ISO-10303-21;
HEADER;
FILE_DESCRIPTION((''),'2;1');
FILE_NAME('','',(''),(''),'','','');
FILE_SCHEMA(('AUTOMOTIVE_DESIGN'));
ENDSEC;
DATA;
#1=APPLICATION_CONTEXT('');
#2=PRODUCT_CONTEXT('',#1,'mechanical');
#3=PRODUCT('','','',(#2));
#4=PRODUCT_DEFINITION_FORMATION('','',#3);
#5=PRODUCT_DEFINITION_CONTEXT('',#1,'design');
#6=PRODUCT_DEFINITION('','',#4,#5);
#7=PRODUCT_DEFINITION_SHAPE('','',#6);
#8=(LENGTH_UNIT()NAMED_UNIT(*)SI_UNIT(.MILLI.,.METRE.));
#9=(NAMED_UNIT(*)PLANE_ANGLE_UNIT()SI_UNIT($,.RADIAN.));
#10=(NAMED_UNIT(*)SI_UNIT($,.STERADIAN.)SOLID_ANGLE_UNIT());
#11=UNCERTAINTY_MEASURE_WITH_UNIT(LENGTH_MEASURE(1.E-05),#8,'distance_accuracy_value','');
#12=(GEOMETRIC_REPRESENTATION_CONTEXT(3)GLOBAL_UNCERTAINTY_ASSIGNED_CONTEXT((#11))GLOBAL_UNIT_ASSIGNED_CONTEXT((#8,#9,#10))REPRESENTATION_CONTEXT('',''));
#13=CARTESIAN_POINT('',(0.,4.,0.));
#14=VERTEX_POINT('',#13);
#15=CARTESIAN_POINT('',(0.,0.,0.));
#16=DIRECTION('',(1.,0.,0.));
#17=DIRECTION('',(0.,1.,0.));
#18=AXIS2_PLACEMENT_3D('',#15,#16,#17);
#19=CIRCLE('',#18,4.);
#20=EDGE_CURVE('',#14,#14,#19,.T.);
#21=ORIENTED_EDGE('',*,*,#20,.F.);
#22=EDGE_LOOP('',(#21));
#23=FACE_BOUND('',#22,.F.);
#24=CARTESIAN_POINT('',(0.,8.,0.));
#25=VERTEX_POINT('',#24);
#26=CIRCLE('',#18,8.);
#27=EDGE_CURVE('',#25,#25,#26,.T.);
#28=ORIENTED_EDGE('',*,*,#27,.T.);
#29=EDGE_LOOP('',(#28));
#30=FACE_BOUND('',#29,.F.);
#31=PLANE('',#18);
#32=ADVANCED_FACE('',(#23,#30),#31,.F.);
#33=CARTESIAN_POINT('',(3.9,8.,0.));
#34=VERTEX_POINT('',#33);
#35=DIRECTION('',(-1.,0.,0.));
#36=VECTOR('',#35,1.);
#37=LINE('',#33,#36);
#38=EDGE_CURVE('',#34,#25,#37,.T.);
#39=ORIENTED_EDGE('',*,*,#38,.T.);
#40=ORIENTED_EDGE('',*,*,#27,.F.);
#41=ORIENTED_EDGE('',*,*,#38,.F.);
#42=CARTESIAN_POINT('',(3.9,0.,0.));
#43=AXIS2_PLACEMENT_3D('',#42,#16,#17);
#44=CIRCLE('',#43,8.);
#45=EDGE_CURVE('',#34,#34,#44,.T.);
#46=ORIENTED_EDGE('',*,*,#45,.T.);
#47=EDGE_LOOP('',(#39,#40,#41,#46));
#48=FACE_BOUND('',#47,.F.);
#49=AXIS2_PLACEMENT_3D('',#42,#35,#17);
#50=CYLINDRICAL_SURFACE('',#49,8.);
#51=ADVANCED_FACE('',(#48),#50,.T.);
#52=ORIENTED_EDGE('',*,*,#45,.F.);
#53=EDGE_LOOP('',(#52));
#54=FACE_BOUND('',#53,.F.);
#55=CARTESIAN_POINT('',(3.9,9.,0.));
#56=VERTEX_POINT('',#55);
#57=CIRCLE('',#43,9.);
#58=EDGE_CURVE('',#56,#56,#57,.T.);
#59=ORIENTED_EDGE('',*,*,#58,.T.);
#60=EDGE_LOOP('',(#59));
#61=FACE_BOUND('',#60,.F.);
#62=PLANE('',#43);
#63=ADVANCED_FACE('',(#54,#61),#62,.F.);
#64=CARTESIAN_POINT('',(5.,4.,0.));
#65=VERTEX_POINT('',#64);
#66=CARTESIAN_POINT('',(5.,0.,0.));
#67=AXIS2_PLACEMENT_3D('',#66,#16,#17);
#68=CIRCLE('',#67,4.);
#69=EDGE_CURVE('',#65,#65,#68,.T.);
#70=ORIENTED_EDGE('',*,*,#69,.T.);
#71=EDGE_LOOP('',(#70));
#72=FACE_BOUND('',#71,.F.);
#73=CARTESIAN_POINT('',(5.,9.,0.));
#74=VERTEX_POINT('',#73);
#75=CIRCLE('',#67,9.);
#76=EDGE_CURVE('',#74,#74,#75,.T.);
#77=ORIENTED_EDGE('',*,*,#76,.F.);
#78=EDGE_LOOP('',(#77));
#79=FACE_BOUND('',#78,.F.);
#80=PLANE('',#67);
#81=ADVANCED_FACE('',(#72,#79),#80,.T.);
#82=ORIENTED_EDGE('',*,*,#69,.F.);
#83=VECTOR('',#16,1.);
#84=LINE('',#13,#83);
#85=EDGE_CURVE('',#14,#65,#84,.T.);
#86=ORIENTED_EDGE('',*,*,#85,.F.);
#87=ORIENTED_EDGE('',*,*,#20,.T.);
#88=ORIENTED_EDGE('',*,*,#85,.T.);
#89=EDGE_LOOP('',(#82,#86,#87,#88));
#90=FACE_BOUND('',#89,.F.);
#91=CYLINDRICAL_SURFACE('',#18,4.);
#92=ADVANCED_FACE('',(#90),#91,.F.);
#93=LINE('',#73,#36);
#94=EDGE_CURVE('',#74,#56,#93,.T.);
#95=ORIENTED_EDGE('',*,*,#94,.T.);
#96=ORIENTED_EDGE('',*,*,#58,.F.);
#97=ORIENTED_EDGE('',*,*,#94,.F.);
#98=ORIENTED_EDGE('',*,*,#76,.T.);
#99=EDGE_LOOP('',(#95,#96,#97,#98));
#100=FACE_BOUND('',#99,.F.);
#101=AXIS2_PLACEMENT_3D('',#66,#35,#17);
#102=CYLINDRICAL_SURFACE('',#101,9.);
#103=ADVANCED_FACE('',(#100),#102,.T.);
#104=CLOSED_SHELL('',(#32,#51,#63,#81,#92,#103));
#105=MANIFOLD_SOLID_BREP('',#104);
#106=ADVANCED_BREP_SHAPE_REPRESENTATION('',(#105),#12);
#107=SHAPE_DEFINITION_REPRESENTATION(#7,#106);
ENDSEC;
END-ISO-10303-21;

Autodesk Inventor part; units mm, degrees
ref_plane "YZ Plane" through (0, 0, 0) normal (1, 0, 0) x (0, 1, 0)
ref_plane "XZ Plane" through (0, 0, 0) normal (0, 1, 0) x (-1, 0, 0)
ref_plane "XY Plane" through (0, 0, 0) normal (0, 0, 1) x (1, 0, 0)
sketch "Sketch1" plane through (0, 0, 0) normal (0, 0, 1) x (1, 0, 0)
  line L0 (0, 8) -> (0, 4)
  line L1 (0, 4) -> (5, 4)
  line L2 (5, 4) -> (5, 9)
  line L3 (5, 9) -> (3.9, 9)
  line L4 (3.9, 9) -> (3.9, 8)
  line L5 (3.9, 8) -> (0, 8)
  line L6 (0, 0) -> (4.5572, 0) construction
  dimension "d0" = 4
  dimension "d1" = 8
  dimension "d2" = 1.1
  dimension "d3" = 5
  dimension "d4" = 9
revolve "Revolution1" add sketch "Sketch1" angle 360 about axis through (0, 0, 0) along (1, 0, 0)
properties part number "F688ZZ 8mm ID Flange" material "Stainless Steel"
